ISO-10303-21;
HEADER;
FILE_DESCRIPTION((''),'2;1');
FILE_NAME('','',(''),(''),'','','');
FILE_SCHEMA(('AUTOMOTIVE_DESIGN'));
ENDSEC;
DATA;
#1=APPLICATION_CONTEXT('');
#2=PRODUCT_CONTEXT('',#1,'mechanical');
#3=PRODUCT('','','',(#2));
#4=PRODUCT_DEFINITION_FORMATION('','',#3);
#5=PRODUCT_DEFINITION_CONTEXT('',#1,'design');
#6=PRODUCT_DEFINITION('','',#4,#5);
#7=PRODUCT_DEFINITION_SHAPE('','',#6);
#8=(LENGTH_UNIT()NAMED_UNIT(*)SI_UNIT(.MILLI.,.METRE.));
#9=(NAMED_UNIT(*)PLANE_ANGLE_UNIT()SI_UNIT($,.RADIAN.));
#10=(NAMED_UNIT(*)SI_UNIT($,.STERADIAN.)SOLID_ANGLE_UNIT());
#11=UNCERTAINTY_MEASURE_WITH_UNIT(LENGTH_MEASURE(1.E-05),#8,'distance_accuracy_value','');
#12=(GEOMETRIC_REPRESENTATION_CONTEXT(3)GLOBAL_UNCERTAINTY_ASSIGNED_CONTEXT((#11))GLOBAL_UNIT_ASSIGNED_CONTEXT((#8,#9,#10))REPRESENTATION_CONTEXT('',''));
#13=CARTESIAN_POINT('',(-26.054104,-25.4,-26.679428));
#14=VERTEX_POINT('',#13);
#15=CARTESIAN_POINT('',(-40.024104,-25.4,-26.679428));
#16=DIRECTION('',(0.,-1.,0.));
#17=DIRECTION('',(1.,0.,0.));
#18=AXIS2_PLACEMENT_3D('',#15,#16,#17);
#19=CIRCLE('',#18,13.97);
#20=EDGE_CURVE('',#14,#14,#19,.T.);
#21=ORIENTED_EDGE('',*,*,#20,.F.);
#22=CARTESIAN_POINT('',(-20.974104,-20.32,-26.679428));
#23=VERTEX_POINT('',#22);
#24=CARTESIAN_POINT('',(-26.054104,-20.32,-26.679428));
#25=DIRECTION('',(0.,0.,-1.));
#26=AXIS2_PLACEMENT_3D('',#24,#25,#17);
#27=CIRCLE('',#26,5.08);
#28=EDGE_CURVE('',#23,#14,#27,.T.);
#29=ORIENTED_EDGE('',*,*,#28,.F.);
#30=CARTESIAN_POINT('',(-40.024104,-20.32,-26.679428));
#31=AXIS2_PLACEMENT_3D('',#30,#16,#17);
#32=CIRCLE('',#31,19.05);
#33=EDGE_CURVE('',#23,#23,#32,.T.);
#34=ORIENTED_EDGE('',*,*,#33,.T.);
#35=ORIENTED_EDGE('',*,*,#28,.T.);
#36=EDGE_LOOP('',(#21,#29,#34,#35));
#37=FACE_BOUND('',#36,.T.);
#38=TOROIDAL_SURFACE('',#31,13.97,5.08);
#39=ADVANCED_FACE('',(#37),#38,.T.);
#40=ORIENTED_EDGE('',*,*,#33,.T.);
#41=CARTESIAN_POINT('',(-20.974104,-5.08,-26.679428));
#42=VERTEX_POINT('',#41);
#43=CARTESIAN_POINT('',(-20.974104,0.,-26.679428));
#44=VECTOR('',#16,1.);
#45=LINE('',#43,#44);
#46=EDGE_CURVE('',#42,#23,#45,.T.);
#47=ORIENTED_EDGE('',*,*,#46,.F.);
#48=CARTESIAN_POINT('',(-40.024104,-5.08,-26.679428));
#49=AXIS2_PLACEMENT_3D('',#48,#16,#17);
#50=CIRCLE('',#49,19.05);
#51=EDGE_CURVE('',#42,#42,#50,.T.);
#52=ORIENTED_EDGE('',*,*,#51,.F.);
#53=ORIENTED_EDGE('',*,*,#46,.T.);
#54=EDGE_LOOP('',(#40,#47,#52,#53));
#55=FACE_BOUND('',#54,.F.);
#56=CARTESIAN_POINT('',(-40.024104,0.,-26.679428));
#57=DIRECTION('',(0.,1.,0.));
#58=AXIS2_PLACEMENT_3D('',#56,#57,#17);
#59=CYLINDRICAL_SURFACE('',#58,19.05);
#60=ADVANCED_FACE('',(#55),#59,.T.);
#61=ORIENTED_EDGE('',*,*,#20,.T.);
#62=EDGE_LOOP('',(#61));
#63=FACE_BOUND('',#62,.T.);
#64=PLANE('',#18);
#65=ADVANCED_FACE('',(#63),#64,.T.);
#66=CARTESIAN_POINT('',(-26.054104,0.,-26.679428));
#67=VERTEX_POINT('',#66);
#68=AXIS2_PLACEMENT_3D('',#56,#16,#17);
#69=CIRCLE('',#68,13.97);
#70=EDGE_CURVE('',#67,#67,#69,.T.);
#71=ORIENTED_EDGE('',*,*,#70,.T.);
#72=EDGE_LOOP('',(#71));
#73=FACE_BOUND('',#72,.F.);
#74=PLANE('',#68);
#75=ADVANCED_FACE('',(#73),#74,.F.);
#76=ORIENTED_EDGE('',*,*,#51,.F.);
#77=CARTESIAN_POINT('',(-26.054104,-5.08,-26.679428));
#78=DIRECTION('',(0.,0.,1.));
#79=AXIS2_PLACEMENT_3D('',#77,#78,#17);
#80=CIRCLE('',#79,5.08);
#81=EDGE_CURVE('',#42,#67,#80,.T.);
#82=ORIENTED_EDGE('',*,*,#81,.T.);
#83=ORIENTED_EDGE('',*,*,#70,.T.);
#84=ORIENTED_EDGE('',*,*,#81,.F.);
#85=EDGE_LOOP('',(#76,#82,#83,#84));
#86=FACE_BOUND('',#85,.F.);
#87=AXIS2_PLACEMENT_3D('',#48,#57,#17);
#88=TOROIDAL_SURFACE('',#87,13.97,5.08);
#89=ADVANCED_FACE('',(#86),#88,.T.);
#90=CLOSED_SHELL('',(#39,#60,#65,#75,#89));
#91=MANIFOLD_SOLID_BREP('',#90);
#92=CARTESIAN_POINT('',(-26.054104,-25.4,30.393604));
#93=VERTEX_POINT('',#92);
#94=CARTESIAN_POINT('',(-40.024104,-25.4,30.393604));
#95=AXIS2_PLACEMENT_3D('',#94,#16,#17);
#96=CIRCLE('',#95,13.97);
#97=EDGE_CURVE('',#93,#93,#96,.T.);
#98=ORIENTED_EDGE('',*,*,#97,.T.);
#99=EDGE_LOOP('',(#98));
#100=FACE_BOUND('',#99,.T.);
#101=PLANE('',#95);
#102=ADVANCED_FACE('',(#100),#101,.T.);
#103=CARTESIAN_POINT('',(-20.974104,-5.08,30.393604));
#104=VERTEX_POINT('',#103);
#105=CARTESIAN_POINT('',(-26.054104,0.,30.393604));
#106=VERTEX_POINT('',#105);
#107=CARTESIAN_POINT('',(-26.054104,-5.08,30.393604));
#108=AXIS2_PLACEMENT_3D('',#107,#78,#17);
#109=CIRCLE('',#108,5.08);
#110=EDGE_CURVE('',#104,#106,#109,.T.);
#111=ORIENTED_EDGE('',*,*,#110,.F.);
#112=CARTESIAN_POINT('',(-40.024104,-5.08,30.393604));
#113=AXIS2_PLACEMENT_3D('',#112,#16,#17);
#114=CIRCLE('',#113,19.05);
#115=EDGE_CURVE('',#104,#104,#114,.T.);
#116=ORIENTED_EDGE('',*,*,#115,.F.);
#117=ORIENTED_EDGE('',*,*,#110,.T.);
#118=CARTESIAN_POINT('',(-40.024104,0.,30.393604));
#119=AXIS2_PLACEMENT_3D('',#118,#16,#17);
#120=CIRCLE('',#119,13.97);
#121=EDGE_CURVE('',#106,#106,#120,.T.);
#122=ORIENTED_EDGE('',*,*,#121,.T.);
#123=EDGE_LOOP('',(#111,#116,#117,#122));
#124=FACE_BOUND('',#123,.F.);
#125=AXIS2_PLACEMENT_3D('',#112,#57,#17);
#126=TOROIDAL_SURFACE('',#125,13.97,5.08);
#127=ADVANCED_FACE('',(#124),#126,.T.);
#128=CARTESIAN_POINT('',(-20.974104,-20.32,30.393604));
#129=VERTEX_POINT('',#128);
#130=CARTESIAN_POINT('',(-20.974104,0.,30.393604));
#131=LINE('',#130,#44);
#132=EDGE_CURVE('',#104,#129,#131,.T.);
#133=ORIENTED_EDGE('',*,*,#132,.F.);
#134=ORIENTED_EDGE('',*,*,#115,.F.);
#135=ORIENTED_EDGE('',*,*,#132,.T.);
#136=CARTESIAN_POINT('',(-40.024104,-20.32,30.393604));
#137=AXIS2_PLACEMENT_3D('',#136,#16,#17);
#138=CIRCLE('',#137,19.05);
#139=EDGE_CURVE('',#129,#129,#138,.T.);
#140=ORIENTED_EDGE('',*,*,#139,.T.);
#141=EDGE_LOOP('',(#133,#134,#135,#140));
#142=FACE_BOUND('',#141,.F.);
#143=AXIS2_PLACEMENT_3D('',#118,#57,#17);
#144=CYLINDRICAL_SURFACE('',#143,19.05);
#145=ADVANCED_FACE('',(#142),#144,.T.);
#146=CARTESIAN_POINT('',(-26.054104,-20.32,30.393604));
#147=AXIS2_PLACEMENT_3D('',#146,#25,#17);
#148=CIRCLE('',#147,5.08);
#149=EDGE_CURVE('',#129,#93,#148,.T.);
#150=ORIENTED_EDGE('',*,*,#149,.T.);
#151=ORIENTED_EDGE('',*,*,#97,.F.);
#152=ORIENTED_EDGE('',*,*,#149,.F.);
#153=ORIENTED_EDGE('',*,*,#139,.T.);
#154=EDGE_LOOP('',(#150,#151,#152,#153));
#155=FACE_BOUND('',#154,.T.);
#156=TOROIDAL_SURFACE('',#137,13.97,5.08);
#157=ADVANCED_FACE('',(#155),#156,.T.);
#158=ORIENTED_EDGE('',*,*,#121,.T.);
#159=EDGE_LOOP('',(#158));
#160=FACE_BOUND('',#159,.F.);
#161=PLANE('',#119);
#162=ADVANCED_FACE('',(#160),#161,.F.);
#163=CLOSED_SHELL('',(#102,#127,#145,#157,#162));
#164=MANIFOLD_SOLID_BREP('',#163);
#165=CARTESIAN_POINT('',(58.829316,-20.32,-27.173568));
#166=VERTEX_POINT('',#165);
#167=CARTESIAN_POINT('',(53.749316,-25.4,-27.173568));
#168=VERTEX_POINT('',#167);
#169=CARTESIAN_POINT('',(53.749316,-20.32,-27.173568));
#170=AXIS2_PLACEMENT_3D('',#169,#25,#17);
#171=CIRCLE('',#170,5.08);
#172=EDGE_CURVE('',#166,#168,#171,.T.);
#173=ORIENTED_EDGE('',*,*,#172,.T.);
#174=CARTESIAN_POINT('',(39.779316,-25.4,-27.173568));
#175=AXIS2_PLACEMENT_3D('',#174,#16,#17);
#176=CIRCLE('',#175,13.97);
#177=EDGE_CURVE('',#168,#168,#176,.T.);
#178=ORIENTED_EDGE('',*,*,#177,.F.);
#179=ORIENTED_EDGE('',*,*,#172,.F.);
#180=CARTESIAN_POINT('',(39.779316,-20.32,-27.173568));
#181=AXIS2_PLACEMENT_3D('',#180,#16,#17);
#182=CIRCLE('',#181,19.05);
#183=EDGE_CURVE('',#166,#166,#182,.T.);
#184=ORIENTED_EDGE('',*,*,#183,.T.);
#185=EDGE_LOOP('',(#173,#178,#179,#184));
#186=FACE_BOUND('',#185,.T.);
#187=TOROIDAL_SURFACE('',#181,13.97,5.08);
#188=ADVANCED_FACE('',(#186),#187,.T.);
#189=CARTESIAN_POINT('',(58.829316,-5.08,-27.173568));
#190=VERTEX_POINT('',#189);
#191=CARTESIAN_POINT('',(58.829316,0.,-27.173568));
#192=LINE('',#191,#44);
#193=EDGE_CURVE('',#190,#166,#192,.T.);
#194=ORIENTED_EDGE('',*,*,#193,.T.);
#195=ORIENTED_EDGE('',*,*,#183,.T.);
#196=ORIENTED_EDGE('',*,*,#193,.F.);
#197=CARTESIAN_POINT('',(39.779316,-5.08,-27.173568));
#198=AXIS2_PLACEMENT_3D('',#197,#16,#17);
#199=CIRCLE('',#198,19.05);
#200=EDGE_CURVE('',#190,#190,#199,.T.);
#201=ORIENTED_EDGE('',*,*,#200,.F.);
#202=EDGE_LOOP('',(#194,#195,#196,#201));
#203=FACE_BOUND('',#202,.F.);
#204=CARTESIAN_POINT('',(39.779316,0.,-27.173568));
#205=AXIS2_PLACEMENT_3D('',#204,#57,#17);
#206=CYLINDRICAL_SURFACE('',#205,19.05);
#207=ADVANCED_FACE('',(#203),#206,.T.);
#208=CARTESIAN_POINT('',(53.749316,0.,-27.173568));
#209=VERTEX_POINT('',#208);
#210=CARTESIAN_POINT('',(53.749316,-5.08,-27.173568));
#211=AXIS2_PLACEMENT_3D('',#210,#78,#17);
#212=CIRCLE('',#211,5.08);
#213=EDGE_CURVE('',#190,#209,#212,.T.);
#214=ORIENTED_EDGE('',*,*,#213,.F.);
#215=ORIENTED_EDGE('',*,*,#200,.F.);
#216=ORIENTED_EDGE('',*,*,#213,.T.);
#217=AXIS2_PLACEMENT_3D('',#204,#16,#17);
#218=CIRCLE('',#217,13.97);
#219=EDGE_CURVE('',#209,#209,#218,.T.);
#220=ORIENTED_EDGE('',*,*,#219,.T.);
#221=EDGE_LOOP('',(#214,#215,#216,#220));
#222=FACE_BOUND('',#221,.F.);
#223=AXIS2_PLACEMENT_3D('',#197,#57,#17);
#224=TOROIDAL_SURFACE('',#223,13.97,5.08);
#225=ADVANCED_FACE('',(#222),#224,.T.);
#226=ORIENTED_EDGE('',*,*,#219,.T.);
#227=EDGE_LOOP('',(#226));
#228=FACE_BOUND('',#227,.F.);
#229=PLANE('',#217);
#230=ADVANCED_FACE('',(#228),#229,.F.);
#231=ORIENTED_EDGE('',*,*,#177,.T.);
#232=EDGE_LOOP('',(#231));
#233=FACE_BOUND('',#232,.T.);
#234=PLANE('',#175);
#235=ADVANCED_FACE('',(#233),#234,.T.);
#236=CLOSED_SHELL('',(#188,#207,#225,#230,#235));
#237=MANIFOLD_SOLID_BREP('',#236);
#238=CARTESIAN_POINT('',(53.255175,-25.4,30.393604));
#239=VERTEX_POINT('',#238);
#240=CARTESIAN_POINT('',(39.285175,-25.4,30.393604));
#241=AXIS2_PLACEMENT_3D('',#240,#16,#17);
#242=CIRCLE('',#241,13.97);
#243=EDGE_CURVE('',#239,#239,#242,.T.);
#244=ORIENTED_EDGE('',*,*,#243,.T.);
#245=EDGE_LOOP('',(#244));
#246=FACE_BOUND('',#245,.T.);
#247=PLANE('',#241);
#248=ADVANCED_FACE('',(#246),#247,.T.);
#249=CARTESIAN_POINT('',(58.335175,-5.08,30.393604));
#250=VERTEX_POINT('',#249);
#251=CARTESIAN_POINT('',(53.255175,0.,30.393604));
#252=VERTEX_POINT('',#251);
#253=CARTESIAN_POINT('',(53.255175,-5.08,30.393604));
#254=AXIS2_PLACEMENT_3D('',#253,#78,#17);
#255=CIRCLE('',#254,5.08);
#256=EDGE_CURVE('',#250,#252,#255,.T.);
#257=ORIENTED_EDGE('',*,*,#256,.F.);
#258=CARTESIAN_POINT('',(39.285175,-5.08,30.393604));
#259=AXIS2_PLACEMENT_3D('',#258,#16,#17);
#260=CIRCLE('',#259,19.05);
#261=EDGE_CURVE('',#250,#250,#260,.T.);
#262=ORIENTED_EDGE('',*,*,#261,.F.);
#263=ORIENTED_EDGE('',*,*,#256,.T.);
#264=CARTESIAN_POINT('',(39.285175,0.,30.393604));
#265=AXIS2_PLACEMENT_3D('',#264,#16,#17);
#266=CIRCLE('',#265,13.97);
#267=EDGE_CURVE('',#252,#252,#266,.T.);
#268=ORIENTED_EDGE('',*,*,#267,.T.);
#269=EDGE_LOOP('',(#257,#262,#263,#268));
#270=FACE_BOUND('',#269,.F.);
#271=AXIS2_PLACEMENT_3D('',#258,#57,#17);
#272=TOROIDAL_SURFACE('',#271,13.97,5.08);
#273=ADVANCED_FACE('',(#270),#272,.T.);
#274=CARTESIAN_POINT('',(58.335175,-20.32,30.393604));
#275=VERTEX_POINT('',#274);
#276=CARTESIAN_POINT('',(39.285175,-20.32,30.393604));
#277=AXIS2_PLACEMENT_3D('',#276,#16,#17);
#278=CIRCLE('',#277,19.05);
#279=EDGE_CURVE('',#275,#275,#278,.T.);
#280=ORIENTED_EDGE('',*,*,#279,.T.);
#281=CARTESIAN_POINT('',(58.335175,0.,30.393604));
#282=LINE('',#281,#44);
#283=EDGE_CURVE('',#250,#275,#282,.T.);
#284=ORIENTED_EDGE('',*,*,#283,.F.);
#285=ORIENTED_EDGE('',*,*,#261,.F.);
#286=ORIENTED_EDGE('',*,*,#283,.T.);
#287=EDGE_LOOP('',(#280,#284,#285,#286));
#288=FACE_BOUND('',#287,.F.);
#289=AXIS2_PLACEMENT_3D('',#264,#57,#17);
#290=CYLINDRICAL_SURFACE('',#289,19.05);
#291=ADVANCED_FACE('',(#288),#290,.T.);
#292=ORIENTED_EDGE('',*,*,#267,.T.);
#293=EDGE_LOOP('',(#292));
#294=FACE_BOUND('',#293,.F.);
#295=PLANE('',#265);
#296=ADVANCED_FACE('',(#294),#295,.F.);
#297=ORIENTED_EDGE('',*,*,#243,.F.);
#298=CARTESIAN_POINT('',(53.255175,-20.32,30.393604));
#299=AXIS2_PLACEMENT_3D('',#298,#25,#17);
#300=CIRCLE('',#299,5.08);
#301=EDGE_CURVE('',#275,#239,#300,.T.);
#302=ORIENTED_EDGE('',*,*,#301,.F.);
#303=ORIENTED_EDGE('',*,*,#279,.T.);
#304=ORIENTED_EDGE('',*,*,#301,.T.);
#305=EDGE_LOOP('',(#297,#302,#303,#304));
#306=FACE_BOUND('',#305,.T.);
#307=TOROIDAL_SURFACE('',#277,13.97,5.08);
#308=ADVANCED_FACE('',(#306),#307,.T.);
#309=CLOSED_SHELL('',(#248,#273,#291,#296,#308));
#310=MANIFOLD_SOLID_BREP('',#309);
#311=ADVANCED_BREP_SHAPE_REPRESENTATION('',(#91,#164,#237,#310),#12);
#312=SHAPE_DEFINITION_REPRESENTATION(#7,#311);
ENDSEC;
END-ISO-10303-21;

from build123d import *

# Parameters (mm, degrees)
F0_R     = 19.05
F1_DEPTH = 25.4
F2_R     = 5.08
F3_R     = 5.08
F4_R     = 5.08


with BuildPart() as f1:
    # F0 (on Front) → F1 (new body)
    with BuildSketch(Plane.XZ):
        with Locations((-40.024104, 30.393604)):
            Circle(F0_R)
        with Locations((39.285175, 30.393604)):
            Circle(F0_R)
        with Locations((-40.024104, -26.679428)):
            Circle(F0_R)
        with Locations((39.779316, -27.173568)):
            Circle(F0_R)
    extrude(amount=F1_DEPTH)

    # F2
    f2_edges = [f1.edges().sort_by_distance(p)[0] for p in [
        (-59.074104, -25.4, 30.393604),
        (20.235175, -25.4, 30.393604),
        (-59.074104, -25.4, -26.679428),
        (20.729316, -25.4, -27.173568),
    ]]
    fillet(f2_edges, radius=F2_R)

    # F3
    f3_edges = [f1.edges().sort_by_distance(p)[0] for p in [
        (-59.074104, 0, -26.679428),
        (20.729316, 0, -27.173568),
        (-59.074104, 0, 30.393604),
    ]]
    fillet(f3_edges, radius=F3_R)

    # F4
    f4_edges = [f1.edges().sort_by_distance(p)[0] for p in [
        (20.235175, 0, 30.393604),
    ]]
    fillet(f4_edges, radius=F4_R)


solid = f1.part
